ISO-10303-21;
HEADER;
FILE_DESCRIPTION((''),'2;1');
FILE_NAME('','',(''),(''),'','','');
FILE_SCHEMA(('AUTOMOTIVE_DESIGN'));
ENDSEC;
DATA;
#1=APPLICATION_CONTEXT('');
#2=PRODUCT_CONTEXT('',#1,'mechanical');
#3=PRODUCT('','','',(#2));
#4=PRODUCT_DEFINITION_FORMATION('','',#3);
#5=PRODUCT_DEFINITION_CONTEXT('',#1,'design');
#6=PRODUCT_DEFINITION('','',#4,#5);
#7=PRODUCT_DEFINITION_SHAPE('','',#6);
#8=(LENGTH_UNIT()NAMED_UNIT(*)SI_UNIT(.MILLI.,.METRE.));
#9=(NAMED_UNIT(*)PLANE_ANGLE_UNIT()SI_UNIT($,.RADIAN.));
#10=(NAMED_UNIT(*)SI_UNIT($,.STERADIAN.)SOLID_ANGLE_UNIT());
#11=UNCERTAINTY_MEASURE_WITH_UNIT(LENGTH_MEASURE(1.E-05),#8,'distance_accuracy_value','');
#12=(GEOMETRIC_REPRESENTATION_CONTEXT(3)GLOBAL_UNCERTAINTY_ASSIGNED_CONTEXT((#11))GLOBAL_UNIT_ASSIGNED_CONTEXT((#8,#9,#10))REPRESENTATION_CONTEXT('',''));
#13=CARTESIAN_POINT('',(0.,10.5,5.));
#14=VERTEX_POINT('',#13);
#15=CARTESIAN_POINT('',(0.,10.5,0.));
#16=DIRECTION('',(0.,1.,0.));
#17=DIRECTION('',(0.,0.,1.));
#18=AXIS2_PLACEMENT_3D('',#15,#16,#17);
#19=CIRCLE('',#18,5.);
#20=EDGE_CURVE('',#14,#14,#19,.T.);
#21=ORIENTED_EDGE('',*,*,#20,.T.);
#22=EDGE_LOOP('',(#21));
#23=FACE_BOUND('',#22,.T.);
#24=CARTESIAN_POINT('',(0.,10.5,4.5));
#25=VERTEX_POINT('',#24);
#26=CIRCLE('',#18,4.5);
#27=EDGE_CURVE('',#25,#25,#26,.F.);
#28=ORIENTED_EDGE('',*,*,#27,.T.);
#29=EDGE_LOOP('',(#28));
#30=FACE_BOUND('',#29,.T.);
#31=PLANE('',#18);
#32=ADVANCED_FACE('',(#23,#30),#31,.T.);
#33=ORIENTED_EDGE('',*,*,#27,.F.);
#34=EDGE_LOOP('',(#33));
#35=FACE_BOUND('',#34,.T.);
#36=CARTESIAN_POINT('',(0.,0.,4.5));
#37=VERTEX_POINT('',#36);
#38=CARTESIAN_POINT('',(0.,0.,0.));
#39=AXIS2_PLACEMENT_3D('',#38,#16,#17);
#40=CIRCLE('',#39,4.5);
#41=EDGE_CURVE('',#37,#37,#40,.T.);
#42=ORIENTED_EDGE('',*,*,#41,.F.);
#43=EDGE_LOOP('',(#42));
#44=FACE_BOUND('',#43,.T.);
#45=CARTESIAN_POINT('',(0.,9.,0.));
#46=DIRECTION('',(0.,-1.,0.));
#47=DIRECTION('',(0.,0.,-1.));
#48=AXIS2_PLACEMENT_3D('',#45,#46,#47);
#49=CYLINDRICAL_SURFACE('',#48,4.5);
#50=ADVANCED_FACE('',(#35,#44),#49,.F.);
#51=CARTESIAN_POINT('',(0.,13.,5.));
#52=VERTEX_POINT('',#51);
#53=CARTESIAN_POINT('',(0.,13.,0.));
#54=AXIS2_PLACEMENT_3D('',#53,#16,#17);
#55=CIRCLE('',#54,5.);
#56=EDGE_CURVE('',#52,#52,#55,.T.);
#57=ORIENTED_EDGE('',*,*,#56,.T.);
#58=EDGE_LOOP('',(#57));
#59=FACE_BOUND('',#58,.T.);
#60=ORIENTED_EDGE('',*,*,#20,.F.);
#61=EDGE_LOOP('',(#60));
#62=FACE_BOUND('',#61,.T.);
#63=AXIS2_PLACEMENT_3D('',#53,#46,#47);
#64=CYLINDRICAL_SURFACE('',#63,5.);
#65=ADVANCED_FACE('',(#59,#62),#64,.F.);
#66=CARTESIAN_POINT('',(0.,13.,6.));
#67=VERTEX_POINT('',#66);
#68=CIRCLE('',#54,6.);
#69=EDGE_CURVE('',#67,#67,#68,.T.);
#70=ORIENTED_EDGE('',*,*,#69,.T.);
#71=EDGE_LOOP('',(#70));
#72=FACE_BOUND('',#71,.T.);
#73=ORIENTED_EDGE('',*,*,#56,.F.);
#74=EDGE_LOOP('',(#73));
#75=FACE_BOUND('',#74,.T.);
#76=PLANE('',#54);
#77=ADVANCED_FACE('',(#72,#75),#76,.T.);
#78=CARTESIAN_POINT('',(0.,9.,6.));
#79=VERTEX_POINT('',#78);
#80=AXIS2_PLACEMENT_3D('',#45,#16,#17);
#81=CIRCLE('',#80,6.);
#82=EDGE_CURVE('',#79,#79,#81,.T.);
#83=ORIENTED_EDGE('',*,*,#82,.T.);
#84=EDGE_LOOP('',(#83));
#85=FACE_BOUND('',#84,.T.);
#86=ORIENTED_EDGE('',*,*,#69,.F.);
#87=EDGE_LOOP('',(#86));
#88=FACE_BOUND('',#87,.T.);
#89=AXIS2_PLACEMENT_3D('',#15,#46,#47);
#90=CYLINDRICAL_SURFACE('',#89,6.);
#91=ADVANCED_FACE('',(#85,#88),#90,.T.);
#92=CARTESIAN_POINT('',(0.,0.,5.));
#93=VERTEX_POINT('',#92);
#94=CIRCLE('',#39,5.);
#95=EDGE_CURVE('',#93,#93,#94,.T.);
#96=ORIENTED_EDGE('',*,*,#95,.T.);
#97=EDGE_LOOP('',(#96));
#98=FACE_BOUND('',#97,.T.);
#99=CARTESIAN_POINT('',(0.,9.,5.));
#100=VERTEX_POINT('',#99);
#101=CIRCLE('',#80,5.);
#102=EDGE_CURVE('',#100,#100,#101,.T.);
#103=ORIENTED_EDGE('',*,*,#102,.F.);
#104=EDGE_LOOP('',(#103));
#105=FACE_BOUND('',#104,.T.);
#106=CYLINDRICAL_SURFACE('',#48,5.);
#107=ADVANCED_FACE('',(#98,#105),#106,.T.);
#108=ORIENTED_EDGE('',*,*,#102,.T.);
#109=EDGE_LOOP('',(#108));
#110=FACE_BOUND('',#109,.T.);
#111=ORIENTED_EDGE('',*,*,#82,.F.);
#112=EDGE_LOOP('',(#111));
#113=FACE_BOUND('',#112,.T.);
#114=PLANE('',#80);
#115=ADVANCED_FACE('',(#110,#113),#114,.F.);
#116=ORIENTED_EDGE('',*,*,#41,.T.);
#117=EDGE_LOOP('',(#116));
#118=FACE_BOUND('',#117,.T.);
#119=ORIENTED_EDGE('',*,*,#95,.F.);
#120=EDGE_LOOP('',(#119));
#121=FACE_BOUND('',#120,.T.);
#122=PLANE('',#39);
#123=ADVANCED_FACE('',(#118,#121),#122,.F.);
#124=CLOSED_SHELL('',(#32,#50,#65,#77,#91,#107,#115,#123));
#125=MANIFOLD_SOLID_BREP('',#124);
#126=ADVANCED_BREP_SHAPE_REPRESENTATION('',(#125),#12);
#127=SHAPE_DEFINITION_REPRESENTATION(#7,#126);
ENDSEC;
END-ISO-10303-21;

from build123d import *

# Parameters (mm, degrees)
ESQUISSE1_R        = 5
ESQUISSE1_R_2      = 4.5
BOSS_EXTRU_1_DEPTH = 9
ESQUISSE2_R        = 6
ESQUISSE2_R_2      = 5
ESQUISSE2_R_3      = 4.5
BOSS_EXTRU_2_DEPTH = 1.5
ESQUISSE3_R        = 6
ESQUISSE3_R_2      = 5
BOSS_EXTRU_3_DEPTH = 2.5


with BuildPart() as part:
    # Esquisse1 → Boss.-Extru.1 (new body)
    with BuildSketch(Plane(origin=(0, 0, 0), x_dir=(1, 0, 0), z_dir=(0, 1, 0))):
        with Locations(Location((0, 0, 0), (0, 0, 270))):
            Circle(ESQUISSE1_R)
        with Locations(Location((0, 0, 0), (0, 0, 270))):
            Circle(ESQUISSE1_R_2, mode=Mode.SUBTRACT)
    extrude(amount=BOSS_EXTRU_1_DEPTH)

    # Esquisse2 → Boss.-Extru.2 (add)
    # profile 1 of 2: a face of its own
    with BuildSketch(Plane(origin=(0, 9, 0), x_dir=(1, 0, 0), z_dir=(0, 1, 0))):
        with Locations(Location((0, 0, 0), (0, 0, 270))):
            Circle(ESQUISSE2_R)
        with Locations(Location((0, 0, 0), (0, 0, 270))):
            Circle(ESQUISSE2_R_2, mode=Mode.SUBTRACT)
    # profile 2 of 2: a face of its own
    with BuildSketch(Plane(origin=(0, 9, 0), x_dir=(1, 0, 0), z_dir=(0, 1, 0))):
        with Locations(Location((0, 0, 0), (0, 0, 270))):
            Circle(ESQUISSE2_R_2)
        with Locations(Location((0, 0, 0), (0, 0, 270))):
            Circle(ESQUISSE2_R_3, mode=Mode.SUBTRACT)
    extrude(amount=BOSS_EXTRU_2_DEPTH)

    # Esquisse3 → Boss.-Extru.3 (add)
    with BuildSketch(Plane(origin=(0, 10.5, 0), x_dir=(1, 0, 0), z_dir=(0, 1, 0))):
        with Locations(Location((0, 0, 0), (0, 0, 270))):
            Circle(ESQUISSE3_R)
        with Locations(Location((0, 0, 0), (0, 0, 270))):
            Circle(ESQUISSE3_R_2, mode=Mode.SUBTRACT)
    extrude(amount=BOSS_EXTRU_3_DEPTH)


solid = part.part
